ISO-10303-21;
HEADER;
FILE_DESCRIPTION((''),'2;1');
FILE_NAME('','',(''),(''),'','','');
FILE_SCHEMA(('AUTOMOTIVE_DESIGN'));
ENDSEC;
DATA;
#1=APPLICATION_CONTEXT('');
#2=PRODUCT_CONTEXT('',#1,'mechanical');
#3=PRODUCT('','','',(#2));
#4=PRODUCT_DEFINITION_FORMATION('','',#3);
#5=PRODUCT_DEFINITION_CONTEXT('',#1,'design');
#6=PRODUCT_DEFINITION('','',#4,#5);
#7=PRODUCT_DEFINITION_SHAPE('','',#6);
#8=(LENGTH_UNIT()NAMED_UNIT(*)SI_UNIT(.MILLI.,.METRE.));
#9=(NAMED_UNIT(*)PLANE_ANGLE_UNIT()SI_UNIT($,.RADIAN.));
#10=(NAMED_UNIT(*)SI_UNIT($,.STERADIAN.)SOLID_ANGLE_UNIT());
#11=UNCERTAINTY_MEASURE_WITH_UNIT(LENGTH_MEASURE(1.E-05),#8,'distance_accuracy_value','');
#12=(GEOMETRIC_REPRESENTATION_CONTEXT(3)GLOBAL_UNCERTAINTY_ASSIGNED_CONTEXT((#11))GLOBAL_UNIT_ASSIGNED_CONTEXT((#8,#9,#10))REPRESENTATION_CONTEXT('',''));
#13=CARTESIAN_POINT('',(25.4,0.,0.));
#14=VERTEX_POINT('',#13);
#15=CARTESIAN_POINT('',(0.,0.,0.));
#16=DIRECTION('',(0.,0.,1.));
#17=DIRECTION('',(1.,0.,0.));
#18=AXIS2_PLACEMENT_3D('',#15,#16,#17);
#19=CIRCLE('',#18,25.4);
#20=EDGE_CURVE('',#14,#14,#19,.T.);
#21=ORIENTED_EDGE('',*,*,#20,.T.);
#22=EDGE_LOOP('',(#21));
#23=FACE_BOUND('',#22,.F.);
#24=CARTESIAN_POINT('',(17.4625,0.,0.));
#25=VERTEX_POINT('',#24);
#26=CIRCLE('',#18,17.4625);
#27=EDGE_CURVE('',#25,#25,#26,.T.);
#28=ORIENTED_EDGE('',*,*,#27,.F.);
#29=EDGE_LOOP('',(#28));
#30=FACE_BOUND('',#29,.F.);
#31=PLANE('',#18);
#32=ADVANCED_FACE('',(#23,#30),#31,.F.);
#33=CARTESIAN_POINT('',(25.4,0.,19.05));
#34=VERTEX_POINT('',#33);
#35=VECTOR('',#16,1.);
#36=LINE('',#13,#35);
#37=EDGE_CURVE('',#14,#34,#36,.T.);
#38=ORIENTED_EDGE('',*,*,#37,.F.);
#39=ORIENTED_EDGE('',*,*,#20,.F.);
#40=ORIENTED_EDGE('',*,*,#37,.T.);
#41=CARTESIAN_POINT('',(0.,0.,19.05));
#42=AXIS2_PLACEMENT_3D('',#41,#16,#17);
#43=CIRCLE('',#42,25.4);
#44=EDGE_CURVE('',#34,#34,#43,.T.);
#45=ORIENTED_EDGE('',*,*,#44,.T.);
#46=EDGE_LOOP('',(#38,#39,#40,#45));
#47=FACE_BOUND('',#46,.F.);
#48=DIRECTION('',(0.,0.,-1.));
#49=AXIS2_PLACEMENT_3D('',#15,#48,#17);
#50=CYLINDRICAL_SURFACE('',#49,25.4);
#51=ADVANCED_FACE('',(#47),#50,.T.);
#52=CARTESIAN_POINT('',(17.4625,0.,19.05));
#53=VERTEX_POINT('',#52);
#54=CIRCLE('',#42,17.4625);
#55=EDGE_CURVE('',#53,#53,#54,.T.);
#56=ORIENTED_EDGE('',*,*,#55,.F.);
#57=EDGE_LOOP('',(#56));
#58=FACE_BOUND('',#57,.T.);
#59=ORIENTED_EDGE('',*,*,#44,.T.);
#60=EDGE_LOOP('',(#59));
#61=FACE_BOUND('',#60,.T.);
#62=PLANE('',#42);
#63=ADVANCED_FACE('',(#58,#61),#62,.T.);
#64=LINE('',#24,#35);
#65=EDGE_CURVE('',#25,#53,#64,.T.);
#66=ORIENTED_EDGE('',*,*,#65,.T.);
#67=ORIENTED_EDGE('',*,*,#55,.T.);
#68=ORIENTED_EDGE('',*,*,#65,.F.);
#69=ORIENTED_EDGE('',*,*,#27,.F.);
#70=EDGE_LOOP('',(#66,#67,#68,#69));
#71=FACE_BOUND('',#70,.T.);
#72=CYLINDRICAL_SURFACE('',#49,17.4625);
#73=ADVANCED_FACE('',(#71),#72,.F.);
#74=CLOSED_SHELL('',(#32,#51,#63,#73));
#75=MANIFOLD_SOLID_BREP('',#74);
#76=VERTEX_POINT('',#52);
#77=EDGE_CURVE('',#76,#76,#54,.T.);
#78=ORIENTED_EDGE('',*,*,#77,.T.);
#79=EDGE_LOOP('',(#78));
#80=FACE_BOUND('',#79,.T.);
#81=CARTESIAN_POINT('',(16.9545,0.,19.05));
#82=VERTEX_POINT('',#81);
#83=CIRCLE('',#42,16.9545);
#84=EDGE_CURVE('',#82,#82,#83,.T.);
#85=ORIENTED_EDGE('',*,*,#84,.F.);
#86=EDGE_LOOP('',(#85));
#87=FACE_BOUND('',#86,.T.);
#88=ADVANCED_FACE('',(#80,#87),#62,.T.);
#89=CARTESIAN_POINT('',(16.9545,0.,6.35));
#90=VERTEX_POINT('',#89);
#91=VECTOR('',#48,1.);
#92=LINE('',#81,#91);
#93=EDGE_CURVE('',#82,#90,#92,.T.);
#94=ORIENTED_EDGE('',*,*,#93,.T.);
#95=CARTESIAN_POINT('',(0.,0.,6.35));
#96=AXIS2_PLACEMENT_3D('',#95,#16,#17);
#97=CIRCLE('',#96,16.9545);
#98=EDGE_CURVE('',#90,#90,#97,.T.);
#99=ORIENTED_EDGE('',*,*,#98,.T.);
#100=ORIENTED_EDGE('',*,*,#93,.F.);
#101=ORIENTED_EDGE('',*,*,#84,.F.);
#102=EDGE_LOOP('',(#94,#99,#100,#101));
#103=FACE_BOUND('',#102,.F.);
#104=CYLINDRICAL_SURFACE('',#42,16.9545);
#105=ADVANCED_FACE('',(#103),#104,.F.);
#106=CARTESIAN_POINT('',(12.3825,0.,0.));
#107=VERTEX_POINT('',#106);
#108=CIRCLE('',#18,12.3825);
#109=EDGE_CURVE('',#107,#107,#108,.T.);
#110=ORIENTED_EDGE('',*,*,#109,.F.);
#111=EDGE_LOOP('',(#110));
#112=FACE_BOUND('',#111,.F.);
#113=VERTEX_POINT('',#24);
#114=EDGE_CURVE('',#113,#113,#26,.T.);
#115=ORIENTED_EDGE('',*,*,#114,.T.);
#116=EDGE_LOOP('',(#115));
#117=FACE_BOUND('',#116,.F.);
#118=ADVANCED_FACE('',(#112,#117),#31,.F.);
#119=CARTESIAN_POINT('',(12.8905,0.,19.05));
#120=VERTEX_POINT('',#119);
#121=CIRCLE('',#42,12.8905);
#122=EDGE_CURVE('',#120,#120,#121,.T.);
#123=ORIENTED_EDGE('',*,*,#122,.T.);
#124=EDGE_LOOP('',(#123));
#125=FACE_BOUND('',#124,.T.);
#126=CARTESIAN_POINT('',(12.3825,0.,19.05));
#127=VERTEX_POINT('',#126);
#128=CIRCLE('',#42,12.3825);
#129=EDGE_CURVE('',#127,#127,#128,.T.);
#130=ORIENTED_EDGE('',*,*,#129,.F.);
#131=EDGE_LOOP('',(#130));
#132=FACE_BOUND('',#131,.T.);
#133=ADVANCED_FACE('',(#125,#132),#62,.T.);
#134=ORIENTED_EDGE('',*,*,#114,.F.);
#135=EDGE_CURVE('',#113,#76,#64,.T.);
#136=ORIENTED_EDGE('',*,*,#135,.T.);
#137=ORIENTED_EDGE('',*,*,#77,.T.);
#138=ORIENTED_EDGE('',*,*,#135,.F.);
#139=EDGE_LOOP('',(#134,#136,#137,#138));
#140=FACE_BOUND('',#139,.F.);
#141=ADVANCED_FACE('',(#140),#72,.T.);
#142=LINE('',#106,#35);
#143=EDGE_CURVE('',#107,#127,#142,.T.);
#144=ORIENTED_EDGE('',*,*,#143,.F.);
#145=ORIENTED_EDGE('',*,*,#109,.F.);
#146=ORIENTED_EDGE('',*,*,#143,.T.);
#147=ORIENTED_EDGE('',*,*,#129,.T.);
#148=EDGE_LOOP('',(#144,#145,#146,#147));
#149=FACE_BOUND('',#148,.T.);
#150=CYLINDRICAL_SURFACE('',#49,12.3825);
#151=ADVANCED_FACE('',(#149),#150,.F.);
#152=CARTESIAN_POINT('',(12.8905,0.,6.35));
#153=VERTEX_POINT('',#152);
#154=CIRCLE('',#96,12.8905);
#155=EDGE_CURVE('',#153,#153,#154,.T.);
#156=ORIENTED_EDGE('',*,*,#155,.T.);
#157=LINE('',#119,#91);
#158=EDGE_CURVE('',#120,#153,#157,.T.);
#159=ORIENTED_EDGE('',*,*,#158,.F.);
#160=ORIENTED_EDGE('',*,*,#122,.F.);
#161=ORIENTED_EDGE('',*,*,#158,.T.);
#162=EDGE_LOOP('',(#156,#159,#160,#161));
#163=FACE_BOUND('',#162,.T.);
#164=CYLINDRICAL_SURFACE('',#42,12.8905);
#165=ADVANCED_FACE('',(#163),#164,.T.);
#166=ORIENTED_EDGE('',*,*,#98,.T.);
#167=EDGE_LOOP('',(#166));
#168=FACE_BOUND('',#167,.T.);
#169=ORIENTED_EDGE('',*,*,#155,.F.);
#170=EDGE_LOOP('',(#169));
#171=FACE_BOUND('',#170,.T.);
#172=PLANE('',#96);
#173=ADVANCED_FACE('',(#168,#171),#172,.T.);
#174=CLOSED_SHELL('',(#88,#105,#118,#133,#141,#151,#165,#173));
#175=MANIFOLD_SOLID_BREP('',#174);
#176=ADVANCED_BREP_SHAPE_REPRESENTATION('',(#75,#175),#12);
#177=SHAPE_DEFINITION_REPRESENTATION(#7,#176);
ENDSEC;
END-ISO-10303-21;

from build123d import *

# Parameters (mm, degrees)
F0_R     = 25.4
F0_R_2   = 17.4625
F1_DEPTH = 19.05
F2_R     = 17.4625
F2_R_2   = 12.3825
F3_DEPTH = 19.05
F4_R     = 16.9545
F4_R_2   = 12.8905
F5_DEPTH = 12.7


with BuildPart() as f1:
    # F0 (on Top) → F1 (new body)
    with BuildSketch(Plane.XY):
        Circle(F0_R)
        Circle(F0_R_2, mode=Mode.SUBTRACT)
    extrude(amount=F1_DEPTH)


with BuildPart() as f3:
    # F2 (on Top) → F3 (new body)
    with BuildSketch(Plane.XY):
        Circle(F2_R)
        Circle(F2_R_2, mode=Mode.SUBTRACT)
    extrude(amount=F3_DEPTH)

    # F4 (on face) → F5 (cut)
    with BuildSketch(Plane.XY.offset(19.05)):
        Circle(F4_R)
        Circle(F4_R_2, mode=Mode.SUBTRACT)
    extrude(amount=-F5_DEPTH, mode=Mode.SUBTRACT)


solid = Compound([f1.part, f3.part])
